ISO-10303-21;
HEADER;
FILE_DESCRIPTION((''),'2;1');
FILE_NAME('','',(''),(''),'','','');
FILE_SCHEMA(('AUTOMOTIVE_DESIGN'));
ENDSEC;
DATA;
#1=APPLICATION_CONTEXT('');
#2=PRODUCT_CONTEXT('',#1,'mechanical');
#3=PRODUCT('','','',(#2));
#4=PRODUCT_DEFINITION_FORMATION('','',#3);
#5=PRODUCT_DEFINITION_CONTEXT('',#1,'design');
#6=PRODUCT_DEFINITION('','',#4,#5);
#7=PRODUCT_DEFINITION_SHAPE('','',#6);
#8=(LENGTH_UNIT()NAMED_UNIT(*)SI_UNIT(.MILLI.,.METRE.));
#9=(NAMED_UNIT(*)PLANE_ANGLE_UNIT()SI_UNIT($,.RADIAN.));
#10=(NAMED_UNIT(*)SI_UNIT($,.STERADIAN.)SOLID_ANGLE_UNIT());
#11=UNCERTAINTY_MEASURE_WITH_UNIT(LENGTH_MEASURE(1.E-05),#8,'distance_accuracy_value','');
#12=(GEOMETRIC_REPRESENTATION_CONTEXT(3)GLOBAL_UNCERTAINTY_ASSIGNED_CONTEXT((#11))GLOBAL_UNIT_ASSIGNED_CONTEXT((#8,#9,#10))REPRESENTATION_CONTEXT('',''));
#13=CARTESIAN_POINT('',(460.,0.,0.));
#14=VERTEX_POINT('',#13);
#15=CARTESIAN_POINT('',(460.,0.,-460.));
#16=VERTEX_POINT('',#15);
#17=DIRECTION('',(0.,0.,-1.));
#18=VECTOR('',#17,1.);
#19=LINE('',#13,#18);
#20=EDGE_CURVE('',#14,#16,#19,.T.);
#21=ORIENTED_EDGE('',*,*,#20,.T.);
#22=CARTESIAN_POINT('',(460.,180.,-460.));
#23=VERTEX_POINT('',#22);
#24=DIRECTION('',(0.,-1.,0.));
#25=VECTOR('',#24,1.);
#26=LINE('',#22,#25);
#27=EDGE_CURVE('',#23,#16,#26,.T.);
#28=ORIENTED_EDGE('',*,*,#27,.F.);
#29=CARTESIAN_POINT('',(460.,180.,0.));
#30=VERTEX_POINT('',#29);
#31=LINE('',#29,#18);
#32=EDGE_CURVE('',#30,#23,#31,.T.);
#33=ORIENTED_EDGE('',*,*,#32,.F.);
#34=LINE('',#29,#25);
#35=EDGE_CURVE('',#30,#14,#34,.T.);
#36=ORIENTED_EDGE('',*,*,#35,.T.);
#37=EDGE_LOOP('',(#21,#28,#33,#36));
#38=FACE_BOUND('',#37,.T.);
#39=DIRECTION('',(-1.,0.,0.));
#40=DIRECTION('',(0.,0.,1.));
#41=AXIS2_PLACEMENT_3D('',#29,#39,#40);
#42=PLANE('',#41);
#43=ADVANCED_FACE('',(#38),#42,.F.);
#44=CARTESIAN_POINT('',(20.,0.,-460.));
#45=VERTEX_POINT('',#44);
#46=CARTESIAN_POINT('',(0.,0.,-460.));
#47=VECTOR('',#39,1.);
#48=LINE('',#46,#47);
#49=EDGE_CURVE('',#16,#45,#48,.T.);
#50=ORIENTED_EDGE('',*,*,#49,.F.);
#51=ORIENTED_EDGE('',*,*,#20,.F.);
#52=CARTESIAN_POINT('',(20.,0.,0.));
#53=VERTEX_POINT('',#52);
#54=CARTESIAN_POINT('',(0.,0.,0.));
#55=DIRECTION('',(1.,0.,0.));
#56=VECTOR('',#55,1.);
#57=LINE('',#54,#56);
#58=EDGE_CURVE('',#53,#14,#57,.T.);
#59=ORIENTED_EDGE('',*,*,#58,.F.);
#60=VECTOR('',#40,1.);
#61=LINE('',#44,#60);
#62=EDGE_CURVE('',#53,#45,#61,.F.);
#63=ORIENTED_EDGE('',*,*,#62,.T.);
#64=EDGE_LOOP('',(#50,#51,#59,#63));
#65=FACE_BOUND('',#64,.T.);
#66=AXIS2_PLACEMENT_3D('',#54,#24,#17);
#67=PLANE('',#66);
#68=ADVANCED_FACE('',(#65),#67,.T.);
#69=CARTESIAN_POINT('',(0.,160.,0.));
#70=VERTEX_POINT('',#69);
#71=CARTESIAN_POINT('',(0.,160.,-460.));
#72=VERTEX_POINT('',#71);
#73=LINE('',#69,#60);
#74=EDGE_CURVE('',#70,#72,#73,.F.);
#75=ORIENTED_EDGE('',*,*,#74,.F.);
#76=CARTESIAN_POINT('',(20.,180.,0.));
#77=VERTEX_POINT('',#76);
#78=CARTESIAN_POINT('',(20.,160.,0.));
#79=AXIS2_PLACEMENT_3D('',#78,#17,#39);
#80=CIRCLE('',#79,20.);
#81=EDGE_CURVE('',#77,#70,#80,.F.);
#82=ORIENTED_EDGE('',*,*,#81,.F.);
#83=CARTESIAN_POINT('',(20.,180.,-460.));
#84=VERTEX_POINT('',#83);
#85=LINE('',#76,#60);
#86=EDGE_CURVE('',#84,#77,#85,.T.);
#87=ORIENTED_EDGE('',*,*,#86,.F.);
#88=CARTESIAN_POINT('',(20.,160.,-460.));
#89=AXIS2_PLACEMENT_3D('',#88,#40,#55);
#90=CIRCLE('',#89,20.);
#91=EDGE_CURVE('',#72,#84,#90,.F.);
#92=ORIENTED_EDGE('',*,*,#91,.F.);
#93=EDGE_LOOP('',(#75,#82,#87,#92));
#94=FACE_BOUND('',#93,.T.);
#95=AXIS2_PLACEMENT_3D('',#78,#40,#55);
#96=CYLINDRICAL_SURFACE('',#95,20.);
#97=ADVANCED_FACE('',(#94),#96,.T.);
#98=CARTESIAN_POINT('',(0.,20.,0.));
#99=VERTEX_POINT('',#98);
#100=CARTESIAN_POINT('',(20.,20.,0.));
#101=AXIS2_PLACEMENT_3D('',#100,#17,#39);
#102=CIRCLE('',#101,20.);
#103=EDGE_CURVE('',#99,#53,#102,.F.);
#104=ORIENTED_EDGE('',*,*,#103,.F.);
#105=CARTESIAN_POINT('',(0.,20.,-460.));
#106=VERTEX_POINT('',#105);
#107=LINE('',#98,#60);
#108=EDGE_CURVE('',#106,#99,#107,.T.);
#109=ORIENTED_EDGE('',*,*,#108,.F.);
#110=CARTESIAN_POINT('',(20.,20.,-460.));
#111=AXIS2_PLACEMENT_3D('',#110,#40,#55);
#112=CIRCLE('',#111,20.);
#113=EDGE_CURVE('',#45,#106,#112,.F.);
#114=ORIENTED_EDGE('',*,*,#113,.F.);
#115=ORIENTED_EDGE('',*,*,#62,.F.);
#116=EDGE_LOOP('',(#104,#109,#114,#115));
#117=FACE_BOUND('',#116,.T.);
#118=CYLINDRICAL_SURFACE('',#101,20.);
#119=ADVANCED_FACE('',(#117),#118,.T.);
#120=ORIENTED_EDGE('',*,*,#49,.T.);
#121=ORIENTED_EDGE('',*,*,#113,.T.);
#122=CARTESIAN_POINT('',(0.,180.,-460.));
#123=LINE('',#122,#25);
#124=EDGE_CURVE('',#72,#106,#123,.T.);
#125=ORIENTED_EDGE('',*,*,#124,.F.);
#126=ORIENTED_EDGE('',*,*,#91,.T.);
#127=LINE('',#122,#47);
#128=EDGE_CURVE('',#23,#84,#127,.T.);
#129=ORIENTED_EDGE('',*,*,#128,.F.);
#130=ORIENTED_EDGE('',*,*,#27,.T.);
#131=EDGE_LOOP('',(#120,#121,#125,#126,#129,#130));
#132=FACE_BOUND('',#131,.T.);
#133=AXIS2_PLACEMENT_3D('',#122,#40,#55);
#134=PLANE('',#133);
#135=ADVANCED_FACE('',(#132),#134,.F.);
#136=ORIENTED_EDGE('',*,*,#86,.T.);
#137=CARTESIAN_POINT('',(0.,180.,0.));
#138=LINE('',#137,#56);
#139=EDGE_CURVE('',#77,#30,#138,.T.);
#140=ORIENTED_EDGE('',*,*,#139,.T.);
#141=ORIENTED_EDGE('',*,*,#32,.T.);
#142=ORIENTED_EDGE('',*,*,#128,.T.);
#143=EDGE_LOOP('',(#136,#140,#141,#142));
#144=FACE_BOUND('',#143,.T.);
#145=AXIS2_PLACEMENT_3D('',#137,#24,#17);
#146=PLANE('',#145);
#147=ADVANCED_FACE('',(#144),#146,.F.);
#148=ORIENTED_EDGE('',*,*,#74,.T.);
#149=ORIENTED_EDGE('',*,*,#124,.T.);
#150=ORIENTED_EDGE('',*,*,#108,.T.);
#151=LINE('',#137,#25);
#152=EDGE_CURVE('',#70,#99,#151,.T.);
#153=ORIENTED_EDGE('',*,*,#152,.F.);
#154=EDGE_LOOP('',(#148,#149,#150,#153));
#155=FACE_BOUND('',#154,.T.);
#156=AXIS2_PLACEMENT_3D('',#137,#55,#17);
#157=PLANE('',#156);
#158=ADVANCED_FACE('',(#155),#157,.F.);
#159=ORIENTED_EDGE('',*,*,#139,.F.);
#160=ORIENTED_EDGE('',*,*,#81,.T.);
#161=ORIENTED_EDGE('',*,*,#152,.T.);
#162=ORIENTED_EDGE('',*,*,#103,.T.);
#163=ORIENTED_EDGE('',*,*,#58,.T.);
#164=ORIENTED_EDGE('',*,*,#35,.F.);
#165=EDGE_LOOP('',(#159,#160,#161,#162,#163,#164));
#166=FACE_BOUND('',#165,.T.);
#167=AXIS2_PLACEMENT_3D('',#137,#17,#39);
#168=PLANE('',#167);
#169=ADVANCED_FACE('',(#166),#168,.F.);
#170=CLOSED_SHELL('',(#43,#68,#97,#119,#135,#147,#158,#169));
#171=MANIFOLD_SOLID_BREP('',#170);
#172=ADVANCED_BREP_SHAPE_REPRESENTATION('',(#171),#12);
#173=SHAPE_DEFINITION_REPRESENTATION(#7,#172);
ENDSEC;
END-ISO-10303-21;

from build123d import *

# Parameters (mm, degrees)
SKETCH1_W           = 460
SKETCH1_H           = 460
BOSS_EXTRUDE1_DEPTH = 180
FILLET1_R           = 20


with BuildPart() as part:
    # Sketch1 → Boss-Extrude1 (new body)
    with BuildSketch(Plane(origin=(0, 0, 0), x_dir=(1, 0, 0), z_dir=(0, 1, 0))):
        with Locations((230, 230)):
            Rectangle(SKETCH1_W, SKETCH1_H)
    extrude(amount=BOSS_EXTRUDE1_DEPTH)

    # Fillet1
    fillet1_edges = [part.edges().sort_by_distance(p)[0] for p in [
        (0, 180, -230),
        (0, 0, -230),
    ]]
    fillet(fillet1_edges, radius=FILLET1_R)


solid = part.part
